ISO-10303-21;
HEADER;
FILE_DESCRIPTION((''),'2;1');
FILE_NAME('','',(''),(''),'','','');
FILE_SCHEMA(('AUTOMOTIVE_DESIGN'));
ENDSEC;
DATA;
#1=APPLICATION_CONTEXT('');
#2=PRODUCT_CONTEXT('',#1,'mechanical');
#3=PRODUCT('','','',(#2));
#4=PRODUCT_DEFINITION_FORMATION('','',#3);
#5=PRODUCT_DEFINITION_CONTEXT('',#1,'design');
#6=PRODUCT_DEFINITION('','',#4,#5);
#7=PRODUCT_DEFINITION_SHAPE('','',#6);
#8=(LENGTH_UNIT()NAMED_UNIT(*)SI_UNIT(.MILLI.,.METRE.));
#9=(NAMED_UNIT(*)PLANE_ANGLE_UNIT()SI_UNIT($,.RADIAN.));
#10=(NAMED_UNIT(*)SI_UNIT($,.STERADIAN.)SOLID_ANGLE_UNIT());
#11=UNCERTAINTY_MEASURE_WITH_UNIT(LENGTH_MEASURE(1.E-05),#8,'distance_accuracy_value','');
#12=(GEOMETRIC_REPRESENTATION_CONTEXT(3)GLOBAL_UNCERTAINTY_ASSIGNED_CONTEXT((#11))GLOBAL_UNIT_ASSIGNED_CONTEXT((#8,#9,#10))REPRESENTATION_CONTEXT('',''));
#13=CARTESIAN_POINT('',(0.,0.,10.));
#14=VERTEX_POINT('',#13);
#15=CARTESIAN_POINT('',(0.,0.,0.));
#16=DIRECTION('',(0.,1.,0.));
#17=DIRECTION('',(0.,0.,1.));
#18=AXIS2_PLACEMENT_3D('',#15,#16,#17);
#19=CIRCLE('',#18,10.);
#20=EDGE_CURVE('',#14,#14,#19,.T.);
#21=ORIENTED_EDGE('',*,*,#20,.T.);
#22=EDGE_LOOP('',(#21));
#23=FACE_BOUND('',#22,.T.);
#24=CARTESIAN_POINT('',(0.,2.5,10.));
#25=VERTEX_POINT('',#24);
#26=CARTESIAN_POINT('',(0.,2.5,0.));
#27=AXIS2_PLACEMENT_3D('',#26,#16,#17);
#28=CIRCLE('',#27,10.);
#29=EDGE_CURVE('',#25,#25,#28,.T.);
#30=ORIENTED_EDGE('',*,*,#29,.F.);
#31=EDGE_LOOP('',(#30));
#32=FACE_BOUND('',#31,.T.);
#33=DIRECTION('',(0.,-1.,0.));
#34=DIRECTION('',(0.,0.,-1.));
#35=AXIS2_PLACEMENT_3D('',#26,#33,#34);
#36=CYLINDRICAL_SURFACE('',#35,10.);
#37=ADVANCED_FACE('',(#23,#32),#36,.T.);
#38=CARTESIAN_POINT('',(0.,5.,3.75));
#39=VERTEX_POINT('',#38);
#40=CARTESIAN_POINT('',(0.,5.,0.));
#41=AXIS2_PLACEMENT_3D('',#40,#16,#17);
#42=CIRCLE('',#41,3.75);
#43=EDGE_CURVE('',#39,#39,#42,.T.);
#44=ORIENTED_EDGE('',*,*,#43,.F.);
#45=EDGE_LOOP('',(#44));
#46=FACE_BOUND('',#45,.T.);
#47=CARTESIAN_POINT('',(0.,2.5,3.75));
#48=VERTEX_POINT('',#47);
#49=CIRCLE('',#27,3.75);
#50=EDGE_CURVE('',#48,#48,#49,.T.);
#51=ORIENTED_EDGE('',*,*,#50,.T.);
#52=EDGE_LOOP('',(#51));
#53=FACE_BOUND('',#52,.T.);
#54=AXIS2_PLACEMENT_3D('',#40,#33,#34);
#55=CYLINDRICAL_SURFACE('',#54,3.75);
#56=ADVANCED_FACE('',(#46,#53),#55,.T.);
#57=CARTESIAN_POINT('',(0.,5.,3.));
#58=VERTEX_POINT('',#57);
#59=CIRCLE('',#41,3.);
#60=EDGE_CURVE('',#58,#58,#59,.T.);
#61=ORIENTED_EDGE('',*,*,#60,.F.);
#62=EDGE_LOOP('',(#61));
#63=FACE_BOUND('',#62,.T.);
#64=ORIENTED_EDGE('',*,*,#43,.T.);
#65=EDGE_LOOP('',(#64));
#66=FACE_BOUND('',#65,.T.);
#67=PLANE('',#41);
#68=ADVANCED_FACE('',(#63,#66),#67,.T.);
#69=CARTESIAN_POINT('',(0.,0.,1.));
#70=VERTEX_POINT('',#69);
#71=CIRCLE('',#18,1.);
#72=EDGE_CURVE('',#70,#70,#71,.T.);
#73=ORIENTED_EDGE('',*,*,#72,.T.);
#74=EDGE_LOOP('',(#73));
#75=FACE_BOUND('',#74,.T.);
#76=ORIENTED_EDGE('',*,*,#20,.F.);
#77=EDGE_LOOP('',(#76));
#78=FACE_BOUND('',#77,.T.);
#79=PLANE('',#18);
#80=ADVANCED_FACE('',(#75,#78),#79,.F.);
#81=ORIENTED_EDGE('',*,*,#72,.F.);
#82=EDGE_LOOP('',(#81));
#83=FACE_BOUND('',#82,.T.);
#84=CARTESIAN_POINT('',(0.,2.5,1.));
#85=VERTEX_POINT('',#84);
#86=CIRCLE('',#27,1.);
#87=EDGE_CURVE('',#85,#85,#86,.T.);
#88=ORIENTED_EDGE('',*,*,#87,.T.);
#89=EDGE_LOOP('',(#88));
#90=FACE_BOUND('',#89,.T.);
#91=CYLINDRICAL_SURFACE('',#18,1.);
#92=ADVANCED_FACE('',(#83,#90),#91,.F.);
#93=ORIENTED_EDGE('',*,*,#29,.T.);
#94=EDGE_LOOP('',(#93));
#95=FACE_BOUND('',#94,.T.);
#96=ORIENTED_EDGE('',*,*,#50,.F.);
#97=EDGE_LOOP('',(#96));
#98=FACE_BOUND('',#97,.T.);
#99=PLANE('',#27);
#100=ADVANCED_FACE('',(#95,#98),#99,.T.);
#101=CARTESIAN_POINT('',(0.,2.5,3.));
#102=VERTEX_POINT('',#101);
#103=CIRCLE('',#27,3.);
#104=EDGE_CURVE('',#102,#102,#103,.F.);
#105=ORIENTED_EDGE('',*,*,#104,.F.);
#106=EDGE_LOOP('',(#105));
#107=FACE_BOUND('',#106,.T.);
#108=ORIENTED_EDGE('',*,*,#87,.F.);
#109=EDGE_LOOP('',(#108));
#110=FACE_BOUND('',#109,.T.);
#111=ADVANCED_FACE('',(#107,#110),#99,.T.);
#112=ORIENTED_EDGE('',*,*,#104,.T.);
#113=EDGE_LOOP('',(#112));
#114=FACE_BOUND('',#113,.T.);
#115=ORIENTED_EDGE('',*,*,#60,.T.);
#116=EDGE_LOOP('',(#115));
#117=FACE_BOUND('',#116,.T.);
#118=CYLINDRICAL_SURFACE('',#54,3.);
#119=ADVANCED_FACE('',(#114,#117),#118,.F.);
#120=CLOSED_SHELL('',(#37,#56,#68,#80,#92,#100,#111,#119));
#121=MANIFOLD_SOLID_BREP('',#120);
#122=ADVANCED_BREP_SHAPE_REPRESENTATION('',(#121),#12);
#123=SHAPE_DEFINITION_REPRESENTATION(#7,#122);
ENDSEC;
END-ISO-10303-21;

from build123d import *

# Parameters (mm, degrees)
SKETCH1_R           = 10
BOSS_EXTRUDE1_DEPTH = 2.5
SKETCH2_R           = 3.75
SKETCH2_R_2         = 3
BOSS_EXTRUDE2_DEPTH = 2.5
SKETCH4_R           = 1
CUT_EXTRUDE1_DEPTH  = 2.5


with BuildPart() as part:
    # Sketch1 → Boss-Extrude1 (new body)
    with BuildSketch(Plane(origin=(0, 0, 0), x_dir=(1, 0, 0), z_dir=(0, 1, 0))):
        with Locations(Location((0, 0, 0), (0, 0, 270))):
            Circle(SKETCH1_R)
    extrude(amount=BOSS_EXTRUDE1_DEPTH)

    # Sketch2 → Boss-Extrude2 (add)
    with BuildSketch(Plane(origin=(0, 2.5, 0), x_dir=(1, 0, 0), z_dir=(0, 1, 0))):
        with Locations(Location((0, 0, 0), (0, 0, 270))):
            Circle(SKETCH2_R)
        with Locations(Location((0, 0, 0), (0, 0, 270))):
            Circle(SKETCH2_R_2, mode=Mode.SUBTRACT)
    extrude(amount=BOSS_EXTRUDE2_DEPTH)

    # Sketch4 → Cut-Extrude1 (cut)
    with BuildSketch(Plane(origin=(0, 2.5, 0), x_dir=(1, 0, 0), z_dir=(0, 1, 0))):
        with Locations(Location((0, 0, 0), (0, 0, 270))):
            Circle(SKETCH4_R)
    extrude(amount=-CUT_EXTRUDE1_DEPTH, mode=Mode.SUBTRACT)


solid = part.part
